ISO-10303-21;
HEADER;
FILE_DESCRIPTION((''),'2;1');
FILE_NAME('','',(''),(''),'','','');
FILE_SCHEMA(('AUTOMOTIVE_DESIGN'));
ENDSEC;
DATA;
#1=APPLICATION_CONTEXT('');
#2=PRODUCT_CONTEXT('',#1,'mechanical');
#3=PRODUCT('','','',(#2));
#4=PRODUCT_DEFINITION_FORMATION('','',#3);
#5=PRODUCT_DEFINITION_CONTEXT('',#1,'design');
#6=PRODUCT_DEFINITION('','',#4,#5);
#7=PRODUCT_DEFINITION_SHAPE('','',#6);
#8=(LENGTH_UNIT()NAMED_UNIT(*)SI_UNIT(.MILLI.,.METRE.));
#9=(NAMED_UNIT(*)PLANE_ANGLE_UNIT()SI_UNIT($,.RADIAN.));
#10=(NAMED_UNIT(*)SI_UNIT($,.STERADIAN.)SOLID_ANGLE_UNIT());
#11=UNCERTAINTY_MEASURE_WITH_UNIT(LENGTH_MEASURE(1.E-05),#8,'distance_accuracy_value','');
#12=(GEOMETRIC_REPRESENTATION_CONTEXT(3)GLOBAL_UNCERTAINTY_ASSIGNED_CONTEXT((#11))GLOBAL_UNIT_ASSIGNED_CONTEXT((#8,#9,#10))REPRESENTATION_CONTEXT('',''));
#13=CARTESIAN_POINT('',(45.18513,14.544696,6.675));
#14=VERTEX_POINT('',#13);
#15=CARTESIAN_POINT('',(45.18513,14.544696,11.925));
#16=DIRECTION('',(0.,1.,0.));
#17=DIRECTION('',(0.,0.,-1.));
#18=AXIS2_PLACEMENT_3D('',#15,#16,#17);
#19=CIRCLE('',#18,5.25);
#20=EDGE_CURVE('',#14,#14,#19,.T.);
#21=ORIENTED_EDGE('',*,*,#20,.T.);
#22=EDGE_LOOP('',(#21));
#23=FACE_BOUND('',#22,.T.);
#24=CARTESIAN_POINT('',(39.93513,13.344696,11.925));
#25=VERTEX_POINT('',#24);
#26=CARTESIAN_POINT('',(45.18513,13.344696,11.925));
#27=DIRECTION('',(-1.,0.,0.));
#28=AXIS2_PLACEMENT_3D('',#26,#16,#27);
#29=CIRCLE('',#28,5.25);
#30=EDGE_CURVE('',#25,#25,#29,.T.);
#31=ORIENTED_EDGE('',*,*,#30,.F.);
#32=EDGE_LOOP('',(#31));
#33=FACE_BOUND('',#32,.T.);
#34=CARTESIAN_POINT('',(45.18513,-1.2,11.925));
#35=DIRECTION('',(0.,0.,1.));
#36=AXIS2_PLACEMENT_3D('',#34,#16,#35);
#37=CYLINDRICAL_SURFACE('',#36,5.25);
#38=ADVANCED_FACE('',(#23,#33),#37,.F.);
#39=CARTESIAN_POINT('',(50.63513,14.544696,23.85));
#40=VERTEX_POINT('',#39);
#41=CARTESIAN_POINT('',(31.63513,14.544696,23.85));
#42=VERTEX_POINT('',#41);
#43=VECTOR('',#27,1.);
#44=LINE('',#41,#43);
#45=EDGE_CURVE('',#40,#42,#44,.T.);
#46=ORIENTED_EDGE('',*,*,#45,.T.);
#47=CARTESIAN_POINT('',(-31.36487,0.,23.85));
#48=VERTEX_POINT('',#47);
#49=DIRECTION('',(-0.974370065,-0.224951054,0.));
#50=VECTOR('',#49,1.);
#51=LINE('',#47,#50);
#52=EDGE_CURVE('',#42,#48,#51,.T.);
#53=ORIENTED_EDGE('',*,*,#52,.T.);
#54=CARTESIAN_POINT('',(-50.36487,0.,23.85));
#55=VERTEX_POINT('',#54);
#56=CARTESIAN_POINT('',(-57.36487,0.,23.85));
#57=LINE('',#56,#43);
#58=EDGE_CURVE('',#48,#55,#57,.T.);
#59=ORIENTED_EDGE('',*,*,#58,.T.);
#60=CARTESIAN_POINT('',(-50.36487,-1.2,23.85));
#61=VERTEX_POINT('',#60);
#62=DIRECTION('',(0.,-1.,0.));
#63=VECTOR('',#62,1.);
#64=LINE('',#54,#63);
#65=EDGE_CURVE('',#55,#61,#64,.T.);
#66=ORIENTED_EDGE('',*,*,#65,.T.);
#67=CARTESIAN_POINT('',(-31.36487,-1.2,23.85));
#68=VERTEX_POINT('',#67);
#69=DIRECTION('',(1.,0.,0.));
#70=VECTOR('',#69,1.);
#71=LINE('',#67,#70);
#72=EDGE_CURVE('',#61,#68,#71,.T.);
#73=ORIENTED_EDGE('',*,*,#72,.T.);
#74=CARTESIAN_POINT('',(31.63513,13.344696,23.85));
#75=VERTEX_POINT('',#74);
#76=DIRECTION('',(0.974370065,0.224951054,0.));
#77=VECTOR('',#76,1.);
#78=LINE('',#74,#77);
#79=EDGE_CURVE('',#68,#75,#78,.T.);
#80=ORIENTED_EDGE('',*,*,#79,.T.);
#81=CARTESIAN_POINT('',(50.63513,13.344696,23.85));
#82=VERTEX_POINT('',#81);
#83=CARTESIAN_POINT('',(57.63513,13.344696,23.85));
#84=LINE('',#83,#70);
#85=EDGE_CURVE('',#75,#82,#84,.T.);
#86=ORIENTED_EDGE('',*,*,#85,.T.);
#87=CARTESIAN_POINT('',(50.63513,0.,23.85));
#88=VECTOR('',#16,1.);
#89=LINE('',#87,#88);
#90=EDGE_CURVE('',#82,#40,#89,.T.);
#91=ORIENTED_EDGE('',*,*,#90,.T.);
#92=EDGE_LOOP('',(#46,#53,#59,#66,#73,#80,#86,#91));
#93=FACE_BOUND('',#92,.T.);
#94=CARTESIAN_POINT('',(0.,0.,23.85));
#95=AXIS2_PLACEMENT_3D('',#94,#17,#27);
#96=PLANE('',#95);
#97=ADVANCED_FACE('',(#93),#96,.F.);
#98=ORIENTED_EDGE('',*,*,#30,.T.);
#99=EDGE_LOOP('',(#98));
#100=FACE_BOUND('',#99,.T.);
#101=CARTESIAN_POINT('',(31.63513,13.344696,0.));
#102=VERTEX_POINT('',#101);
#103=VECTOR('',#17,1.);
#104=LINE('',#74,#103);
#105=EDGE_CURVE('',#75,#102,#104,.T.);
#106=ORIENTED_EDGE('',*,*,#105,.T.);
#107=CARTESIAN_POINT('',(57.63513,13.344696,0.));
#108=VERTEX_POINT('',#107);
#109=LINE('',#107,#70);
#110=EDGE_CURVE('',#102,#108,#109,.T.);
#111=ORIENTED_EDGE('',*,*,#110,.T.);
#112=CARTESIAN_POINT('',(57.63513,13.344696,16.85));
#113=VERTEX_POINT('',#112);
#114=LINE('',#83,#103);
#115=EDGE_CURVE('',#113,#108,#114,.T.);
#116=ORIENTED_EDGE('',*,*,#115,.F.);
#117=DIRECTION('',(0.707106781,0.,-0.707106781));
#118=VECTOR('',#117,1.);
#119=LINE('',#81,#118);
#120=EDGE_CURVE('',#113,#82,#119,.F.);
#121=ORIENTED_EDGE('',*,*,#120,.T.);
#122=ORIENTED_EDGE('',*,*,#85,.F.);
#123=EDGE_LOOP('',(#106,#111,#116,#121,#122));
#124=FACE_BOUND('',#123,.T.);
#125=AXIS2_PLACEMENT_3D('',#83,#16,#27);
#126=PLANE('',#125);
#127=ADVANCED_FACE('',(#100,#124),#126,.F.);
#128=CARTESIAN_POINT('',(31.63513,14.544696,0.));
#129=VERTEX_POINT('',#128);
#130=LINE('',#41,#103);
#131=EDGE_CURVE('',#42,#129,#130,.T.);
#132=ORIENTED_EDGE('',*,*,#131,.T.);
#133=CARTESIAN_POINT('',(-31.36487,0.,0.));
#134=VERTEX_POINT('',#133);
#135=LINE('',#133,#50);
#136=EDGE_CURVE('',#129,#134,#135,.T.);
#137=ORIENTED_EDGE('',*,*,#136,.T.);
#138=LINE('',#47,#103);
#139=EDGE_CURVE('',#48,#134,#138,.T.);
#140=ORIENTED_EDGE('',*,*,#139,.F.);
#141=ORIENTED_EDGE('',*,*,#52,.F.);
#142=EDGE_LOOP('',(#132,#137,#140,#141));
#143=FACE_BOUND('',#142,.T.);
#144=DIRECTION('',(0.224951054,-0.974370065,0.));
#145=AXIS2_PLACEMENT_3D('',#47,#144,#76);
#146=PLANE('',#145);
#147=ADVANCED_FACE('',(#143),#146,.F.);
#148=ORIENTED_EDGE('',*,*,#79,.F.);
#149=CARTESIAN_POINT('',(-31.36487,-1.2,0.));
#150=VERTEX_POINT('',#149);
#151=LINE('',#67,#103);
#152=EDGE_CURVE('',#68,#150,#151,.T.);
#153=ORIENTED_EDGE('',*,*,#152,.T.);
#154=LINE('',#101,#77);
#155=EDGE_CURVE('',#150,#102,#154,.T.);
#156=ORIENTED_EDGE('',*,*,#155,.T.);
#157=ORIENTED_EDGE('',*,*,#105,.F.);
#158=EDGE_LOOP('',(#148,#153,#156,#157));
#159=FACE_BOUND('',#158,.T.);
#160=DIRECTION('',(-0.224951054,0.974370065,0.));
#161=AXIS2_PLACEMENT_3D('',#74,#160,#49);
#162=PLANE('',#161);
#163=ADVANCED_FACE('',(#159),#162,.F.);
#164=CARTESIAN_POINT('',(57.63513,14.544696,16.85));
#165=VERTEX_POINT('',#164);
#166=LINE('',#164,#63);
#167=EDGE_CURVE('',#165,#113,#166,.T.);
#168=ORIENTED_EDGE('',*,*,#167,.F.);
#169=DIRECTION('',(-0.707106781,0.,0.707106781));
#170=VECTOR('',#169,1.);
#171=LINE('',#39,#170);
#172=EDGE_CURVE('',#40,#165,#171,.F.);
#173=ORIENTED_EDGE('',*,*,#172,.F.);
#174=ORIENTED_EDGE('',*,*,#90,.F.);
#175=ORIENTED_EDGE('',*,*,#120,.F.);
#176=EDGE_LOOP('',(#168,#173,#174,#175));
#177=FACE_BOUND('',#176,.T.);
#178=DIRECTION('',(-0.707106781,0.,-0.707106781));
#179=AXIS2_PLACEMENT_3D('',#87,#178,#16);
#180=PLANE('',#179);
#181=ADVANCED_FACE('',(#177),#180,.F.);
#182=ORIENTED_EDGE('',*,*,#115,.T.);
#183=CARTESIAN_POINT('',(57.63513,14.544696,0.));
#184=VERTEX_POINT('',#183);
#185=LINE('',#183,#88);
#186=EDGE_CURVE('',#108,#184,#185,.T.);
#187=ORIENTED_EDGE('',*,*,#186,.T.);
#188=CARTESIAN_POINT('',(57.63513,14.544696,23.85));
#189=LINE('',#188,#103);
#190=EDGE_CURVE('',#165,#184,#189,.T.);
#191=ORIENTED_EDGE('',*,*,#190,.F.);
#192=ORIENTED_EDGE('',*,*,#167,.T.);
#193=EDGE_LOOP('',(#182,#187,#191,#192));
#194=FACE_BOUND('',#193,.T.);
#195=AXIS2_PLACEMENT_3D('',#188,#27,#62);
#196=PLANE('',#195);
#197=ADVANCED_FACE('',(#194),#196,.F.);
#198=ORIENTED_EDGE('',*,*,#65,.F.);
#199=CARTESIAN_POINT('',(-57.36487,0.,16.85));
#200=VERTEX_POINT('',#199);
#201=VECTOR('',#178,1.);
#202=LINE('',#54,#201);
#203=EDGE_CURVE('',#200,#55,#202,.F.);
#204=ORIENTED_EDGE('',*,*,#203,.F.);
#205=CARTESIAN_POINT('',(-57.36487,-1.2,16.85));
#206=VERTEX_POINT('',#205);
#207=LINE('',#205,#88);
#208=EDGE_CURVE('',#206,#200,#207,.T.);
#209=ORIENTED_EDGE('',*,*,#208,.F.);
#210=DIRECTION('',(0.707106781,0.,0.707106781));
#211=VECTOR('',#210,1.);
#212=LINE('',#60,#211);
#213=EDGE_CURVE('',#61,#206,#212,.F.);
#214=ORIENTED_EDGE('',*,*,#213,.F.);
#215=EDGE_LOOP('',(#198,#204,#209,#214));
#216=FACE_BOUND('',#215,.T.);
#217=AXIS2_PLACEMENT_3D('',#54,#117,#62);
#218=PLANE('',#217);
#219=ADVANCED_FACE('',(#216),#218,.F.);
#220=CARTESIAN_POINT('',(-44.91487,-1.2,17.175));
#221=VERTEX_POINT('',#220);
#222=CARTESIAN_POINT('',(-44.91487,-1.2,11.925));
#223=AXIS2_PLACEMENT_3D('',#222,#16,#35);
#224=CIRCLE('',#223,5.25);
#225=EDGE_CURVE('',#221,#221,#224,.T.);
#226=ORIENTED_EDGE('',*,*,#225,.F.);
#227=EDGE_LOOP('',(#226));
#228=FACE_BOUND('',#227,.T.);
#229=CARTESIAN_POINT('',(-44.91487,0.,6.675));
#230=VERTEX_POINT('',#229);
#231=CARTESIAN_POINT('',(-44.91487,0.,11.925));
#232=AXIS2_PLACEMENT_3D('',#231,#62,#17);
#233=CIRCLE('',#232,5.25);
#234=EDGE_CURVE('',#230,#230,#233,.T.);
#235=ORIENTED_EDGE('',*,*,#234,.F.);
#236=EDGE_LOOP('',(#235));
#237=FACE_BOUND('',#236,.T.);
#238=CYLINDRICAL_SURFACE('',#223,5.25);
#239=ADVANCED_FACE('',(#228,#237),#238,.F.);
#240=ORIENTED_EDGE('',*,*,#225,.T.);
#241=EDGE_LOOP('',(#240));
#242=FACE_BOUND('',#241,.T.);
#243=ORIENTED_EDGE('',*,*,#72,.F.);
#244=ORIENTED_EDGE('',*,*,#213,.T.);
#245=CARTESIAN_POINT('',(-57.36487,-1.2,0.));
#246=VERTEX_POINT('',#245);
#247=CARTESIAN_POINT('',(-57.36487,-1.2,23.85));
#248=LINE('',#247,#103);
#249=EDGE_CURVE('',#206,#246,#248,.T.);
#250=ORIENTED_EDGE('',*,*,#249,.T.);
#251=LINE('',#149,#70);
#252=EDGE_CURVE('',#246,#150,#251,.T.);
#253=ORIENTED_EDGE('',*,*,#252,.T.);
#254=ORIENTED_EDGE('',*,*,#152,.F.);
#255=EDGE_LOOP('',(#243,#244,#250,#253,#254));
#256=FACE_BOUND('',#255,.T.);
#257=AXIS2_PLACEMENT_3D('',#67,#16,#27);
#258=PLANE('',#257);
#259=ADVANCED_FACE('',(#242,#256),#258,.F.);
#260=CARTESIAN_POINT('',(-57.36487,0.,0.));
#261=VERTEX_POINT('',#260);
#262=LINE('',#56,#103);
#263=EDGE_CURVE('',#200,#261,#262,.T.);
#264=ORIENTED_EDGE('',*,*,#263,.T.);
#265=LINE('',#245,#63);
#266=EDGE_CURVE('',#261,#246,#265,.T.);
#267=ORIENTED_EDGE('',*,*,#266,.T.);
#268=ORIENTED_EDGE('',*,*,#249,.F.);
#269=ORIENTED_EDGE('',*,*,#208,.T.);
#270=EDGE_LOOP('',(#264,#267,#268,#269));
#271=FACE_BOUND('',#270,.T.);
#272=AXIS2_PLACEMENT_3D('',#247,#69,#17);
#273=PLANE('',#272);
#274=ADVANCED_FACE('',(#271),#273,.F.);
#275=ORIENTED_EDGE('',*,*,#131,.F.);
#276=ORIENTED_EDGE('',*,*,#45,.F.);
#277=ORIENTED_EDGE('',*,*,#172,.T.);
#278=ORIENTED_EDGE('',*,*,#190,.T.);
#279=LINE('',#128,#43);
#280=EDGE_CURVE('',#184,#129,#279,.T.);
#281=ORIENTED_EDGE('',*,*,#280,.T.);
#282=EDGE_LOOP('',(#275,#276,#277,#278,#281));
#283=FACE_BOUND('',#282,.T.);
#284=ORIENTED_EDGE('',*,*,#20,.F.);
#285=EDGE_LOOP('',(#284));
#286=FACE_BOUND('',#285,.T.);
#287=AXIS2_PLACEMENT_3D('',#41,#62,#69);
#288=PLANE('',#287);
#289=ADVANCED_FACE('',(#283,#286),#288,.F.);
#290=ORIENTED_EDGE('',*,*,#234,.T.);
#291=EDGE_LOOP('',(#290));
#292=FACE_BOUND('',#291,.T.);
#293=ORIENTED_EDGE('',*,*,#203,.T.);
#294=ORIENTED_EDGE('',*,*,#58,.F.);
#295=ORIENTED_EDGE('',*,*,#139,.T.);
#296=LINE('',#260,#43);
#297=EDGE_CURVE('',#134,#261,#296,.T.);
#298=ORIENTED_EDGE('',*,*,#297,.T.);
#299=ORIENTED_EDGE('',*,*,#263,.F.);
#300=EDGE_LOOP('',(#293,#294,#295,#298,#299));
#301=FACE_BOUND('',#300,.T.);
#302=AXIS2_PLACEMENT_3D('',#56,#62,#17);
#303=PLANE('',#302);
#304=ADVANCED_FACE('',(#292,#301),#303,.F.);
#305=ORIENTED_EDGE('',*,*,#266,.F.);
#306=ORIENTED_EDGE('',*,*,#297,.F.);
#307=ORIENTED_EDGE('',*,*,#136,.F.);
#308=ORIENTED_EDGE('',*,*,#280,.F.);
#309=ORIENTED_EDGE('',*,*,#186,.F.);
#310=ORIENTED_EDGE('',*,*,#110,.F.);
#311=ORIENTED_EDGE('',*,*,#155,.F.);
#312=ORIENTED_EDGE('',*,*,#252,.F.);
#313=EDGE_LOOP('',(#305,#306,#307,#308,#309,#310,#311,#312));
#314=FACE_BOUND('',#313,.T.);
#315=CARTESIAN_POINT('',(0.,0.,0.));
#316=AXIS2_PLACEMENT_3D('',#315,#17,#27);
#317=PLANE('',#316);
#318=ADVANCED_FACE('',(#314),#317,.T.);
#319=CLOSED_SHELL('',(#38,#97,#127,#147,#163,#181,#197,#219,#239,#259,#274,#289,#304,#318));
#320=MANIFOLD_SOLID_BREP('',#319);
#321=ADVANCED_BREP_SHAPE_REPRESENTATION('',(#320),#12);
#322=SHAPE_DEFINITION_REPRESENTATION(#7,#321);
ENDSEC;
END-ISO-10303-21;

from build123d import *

# Parameters (mm, degrees)
RESSALTO_EXTRUS_O1_DEPTH   = 23.85
CHANFRO1_SIZE              = 7
CORTE_EXTRUS_O1_DEPTH      = 65.048254304
CORTE_EXTRUS_O1_DEPTH_BACK = 65.048254304
ESBO_O2_R                  = 5.25


with BuildPart() as part:
    # Esboço1 → Ressalto-extrusão1 (new body)
    with BuildSketch(Plane.XY):
        Polygon((-57.364870118, 0), (-31.364870118, 0), (31.635129882, 14.544696041), (57.635129882, 14.544696041), (57.635129882, 13.344696041), (31.635129882, 13.344696041), (-31.364870118, -1.2), (-57.364870118, -1.2), align=None)
    extrude(amount=RESSALTO_EXTRUS_O1_DEPTH)

    # Chanfro1
    chanfro1_edges = [part.edges().sort_by_distance(p)[0] for p in [
        (57.635129882, 13.944696041, 23.85),
        (-57.364870118, -0.6, 23.85),
    ]]
    chamfer(chanfro1_edges, length=CHANFRO1_SIZE)

    # Esboço2 → Corte-extrusão1 (cut, two sides: drawn at the far end of the back side and taken through both)
    with BuildSketch(Plane(origin=(0, 0, 0), x_dir=(1, 0, 0), z_dir=(0, 1, 0)).offset(-CORTE_EXTRUS_O1_DEPTH_BACK)):
        with Locations(Location((-44.914870118, -11.925, 0), (0, 0, 270))):
            Circle(ESBO_O2_R)
        with Locations(Location((45.185129882, -11.925, 0), (0, 0, 180))):
            Circle(ESBO_O2_R)
    extrude(amount=CORTE_EXTRUS_O1_DEPTH + CORTE_EXTRUS_O1_DEPTH_BACK, mode=Mode.SUBTRACT)


solid = part.part
